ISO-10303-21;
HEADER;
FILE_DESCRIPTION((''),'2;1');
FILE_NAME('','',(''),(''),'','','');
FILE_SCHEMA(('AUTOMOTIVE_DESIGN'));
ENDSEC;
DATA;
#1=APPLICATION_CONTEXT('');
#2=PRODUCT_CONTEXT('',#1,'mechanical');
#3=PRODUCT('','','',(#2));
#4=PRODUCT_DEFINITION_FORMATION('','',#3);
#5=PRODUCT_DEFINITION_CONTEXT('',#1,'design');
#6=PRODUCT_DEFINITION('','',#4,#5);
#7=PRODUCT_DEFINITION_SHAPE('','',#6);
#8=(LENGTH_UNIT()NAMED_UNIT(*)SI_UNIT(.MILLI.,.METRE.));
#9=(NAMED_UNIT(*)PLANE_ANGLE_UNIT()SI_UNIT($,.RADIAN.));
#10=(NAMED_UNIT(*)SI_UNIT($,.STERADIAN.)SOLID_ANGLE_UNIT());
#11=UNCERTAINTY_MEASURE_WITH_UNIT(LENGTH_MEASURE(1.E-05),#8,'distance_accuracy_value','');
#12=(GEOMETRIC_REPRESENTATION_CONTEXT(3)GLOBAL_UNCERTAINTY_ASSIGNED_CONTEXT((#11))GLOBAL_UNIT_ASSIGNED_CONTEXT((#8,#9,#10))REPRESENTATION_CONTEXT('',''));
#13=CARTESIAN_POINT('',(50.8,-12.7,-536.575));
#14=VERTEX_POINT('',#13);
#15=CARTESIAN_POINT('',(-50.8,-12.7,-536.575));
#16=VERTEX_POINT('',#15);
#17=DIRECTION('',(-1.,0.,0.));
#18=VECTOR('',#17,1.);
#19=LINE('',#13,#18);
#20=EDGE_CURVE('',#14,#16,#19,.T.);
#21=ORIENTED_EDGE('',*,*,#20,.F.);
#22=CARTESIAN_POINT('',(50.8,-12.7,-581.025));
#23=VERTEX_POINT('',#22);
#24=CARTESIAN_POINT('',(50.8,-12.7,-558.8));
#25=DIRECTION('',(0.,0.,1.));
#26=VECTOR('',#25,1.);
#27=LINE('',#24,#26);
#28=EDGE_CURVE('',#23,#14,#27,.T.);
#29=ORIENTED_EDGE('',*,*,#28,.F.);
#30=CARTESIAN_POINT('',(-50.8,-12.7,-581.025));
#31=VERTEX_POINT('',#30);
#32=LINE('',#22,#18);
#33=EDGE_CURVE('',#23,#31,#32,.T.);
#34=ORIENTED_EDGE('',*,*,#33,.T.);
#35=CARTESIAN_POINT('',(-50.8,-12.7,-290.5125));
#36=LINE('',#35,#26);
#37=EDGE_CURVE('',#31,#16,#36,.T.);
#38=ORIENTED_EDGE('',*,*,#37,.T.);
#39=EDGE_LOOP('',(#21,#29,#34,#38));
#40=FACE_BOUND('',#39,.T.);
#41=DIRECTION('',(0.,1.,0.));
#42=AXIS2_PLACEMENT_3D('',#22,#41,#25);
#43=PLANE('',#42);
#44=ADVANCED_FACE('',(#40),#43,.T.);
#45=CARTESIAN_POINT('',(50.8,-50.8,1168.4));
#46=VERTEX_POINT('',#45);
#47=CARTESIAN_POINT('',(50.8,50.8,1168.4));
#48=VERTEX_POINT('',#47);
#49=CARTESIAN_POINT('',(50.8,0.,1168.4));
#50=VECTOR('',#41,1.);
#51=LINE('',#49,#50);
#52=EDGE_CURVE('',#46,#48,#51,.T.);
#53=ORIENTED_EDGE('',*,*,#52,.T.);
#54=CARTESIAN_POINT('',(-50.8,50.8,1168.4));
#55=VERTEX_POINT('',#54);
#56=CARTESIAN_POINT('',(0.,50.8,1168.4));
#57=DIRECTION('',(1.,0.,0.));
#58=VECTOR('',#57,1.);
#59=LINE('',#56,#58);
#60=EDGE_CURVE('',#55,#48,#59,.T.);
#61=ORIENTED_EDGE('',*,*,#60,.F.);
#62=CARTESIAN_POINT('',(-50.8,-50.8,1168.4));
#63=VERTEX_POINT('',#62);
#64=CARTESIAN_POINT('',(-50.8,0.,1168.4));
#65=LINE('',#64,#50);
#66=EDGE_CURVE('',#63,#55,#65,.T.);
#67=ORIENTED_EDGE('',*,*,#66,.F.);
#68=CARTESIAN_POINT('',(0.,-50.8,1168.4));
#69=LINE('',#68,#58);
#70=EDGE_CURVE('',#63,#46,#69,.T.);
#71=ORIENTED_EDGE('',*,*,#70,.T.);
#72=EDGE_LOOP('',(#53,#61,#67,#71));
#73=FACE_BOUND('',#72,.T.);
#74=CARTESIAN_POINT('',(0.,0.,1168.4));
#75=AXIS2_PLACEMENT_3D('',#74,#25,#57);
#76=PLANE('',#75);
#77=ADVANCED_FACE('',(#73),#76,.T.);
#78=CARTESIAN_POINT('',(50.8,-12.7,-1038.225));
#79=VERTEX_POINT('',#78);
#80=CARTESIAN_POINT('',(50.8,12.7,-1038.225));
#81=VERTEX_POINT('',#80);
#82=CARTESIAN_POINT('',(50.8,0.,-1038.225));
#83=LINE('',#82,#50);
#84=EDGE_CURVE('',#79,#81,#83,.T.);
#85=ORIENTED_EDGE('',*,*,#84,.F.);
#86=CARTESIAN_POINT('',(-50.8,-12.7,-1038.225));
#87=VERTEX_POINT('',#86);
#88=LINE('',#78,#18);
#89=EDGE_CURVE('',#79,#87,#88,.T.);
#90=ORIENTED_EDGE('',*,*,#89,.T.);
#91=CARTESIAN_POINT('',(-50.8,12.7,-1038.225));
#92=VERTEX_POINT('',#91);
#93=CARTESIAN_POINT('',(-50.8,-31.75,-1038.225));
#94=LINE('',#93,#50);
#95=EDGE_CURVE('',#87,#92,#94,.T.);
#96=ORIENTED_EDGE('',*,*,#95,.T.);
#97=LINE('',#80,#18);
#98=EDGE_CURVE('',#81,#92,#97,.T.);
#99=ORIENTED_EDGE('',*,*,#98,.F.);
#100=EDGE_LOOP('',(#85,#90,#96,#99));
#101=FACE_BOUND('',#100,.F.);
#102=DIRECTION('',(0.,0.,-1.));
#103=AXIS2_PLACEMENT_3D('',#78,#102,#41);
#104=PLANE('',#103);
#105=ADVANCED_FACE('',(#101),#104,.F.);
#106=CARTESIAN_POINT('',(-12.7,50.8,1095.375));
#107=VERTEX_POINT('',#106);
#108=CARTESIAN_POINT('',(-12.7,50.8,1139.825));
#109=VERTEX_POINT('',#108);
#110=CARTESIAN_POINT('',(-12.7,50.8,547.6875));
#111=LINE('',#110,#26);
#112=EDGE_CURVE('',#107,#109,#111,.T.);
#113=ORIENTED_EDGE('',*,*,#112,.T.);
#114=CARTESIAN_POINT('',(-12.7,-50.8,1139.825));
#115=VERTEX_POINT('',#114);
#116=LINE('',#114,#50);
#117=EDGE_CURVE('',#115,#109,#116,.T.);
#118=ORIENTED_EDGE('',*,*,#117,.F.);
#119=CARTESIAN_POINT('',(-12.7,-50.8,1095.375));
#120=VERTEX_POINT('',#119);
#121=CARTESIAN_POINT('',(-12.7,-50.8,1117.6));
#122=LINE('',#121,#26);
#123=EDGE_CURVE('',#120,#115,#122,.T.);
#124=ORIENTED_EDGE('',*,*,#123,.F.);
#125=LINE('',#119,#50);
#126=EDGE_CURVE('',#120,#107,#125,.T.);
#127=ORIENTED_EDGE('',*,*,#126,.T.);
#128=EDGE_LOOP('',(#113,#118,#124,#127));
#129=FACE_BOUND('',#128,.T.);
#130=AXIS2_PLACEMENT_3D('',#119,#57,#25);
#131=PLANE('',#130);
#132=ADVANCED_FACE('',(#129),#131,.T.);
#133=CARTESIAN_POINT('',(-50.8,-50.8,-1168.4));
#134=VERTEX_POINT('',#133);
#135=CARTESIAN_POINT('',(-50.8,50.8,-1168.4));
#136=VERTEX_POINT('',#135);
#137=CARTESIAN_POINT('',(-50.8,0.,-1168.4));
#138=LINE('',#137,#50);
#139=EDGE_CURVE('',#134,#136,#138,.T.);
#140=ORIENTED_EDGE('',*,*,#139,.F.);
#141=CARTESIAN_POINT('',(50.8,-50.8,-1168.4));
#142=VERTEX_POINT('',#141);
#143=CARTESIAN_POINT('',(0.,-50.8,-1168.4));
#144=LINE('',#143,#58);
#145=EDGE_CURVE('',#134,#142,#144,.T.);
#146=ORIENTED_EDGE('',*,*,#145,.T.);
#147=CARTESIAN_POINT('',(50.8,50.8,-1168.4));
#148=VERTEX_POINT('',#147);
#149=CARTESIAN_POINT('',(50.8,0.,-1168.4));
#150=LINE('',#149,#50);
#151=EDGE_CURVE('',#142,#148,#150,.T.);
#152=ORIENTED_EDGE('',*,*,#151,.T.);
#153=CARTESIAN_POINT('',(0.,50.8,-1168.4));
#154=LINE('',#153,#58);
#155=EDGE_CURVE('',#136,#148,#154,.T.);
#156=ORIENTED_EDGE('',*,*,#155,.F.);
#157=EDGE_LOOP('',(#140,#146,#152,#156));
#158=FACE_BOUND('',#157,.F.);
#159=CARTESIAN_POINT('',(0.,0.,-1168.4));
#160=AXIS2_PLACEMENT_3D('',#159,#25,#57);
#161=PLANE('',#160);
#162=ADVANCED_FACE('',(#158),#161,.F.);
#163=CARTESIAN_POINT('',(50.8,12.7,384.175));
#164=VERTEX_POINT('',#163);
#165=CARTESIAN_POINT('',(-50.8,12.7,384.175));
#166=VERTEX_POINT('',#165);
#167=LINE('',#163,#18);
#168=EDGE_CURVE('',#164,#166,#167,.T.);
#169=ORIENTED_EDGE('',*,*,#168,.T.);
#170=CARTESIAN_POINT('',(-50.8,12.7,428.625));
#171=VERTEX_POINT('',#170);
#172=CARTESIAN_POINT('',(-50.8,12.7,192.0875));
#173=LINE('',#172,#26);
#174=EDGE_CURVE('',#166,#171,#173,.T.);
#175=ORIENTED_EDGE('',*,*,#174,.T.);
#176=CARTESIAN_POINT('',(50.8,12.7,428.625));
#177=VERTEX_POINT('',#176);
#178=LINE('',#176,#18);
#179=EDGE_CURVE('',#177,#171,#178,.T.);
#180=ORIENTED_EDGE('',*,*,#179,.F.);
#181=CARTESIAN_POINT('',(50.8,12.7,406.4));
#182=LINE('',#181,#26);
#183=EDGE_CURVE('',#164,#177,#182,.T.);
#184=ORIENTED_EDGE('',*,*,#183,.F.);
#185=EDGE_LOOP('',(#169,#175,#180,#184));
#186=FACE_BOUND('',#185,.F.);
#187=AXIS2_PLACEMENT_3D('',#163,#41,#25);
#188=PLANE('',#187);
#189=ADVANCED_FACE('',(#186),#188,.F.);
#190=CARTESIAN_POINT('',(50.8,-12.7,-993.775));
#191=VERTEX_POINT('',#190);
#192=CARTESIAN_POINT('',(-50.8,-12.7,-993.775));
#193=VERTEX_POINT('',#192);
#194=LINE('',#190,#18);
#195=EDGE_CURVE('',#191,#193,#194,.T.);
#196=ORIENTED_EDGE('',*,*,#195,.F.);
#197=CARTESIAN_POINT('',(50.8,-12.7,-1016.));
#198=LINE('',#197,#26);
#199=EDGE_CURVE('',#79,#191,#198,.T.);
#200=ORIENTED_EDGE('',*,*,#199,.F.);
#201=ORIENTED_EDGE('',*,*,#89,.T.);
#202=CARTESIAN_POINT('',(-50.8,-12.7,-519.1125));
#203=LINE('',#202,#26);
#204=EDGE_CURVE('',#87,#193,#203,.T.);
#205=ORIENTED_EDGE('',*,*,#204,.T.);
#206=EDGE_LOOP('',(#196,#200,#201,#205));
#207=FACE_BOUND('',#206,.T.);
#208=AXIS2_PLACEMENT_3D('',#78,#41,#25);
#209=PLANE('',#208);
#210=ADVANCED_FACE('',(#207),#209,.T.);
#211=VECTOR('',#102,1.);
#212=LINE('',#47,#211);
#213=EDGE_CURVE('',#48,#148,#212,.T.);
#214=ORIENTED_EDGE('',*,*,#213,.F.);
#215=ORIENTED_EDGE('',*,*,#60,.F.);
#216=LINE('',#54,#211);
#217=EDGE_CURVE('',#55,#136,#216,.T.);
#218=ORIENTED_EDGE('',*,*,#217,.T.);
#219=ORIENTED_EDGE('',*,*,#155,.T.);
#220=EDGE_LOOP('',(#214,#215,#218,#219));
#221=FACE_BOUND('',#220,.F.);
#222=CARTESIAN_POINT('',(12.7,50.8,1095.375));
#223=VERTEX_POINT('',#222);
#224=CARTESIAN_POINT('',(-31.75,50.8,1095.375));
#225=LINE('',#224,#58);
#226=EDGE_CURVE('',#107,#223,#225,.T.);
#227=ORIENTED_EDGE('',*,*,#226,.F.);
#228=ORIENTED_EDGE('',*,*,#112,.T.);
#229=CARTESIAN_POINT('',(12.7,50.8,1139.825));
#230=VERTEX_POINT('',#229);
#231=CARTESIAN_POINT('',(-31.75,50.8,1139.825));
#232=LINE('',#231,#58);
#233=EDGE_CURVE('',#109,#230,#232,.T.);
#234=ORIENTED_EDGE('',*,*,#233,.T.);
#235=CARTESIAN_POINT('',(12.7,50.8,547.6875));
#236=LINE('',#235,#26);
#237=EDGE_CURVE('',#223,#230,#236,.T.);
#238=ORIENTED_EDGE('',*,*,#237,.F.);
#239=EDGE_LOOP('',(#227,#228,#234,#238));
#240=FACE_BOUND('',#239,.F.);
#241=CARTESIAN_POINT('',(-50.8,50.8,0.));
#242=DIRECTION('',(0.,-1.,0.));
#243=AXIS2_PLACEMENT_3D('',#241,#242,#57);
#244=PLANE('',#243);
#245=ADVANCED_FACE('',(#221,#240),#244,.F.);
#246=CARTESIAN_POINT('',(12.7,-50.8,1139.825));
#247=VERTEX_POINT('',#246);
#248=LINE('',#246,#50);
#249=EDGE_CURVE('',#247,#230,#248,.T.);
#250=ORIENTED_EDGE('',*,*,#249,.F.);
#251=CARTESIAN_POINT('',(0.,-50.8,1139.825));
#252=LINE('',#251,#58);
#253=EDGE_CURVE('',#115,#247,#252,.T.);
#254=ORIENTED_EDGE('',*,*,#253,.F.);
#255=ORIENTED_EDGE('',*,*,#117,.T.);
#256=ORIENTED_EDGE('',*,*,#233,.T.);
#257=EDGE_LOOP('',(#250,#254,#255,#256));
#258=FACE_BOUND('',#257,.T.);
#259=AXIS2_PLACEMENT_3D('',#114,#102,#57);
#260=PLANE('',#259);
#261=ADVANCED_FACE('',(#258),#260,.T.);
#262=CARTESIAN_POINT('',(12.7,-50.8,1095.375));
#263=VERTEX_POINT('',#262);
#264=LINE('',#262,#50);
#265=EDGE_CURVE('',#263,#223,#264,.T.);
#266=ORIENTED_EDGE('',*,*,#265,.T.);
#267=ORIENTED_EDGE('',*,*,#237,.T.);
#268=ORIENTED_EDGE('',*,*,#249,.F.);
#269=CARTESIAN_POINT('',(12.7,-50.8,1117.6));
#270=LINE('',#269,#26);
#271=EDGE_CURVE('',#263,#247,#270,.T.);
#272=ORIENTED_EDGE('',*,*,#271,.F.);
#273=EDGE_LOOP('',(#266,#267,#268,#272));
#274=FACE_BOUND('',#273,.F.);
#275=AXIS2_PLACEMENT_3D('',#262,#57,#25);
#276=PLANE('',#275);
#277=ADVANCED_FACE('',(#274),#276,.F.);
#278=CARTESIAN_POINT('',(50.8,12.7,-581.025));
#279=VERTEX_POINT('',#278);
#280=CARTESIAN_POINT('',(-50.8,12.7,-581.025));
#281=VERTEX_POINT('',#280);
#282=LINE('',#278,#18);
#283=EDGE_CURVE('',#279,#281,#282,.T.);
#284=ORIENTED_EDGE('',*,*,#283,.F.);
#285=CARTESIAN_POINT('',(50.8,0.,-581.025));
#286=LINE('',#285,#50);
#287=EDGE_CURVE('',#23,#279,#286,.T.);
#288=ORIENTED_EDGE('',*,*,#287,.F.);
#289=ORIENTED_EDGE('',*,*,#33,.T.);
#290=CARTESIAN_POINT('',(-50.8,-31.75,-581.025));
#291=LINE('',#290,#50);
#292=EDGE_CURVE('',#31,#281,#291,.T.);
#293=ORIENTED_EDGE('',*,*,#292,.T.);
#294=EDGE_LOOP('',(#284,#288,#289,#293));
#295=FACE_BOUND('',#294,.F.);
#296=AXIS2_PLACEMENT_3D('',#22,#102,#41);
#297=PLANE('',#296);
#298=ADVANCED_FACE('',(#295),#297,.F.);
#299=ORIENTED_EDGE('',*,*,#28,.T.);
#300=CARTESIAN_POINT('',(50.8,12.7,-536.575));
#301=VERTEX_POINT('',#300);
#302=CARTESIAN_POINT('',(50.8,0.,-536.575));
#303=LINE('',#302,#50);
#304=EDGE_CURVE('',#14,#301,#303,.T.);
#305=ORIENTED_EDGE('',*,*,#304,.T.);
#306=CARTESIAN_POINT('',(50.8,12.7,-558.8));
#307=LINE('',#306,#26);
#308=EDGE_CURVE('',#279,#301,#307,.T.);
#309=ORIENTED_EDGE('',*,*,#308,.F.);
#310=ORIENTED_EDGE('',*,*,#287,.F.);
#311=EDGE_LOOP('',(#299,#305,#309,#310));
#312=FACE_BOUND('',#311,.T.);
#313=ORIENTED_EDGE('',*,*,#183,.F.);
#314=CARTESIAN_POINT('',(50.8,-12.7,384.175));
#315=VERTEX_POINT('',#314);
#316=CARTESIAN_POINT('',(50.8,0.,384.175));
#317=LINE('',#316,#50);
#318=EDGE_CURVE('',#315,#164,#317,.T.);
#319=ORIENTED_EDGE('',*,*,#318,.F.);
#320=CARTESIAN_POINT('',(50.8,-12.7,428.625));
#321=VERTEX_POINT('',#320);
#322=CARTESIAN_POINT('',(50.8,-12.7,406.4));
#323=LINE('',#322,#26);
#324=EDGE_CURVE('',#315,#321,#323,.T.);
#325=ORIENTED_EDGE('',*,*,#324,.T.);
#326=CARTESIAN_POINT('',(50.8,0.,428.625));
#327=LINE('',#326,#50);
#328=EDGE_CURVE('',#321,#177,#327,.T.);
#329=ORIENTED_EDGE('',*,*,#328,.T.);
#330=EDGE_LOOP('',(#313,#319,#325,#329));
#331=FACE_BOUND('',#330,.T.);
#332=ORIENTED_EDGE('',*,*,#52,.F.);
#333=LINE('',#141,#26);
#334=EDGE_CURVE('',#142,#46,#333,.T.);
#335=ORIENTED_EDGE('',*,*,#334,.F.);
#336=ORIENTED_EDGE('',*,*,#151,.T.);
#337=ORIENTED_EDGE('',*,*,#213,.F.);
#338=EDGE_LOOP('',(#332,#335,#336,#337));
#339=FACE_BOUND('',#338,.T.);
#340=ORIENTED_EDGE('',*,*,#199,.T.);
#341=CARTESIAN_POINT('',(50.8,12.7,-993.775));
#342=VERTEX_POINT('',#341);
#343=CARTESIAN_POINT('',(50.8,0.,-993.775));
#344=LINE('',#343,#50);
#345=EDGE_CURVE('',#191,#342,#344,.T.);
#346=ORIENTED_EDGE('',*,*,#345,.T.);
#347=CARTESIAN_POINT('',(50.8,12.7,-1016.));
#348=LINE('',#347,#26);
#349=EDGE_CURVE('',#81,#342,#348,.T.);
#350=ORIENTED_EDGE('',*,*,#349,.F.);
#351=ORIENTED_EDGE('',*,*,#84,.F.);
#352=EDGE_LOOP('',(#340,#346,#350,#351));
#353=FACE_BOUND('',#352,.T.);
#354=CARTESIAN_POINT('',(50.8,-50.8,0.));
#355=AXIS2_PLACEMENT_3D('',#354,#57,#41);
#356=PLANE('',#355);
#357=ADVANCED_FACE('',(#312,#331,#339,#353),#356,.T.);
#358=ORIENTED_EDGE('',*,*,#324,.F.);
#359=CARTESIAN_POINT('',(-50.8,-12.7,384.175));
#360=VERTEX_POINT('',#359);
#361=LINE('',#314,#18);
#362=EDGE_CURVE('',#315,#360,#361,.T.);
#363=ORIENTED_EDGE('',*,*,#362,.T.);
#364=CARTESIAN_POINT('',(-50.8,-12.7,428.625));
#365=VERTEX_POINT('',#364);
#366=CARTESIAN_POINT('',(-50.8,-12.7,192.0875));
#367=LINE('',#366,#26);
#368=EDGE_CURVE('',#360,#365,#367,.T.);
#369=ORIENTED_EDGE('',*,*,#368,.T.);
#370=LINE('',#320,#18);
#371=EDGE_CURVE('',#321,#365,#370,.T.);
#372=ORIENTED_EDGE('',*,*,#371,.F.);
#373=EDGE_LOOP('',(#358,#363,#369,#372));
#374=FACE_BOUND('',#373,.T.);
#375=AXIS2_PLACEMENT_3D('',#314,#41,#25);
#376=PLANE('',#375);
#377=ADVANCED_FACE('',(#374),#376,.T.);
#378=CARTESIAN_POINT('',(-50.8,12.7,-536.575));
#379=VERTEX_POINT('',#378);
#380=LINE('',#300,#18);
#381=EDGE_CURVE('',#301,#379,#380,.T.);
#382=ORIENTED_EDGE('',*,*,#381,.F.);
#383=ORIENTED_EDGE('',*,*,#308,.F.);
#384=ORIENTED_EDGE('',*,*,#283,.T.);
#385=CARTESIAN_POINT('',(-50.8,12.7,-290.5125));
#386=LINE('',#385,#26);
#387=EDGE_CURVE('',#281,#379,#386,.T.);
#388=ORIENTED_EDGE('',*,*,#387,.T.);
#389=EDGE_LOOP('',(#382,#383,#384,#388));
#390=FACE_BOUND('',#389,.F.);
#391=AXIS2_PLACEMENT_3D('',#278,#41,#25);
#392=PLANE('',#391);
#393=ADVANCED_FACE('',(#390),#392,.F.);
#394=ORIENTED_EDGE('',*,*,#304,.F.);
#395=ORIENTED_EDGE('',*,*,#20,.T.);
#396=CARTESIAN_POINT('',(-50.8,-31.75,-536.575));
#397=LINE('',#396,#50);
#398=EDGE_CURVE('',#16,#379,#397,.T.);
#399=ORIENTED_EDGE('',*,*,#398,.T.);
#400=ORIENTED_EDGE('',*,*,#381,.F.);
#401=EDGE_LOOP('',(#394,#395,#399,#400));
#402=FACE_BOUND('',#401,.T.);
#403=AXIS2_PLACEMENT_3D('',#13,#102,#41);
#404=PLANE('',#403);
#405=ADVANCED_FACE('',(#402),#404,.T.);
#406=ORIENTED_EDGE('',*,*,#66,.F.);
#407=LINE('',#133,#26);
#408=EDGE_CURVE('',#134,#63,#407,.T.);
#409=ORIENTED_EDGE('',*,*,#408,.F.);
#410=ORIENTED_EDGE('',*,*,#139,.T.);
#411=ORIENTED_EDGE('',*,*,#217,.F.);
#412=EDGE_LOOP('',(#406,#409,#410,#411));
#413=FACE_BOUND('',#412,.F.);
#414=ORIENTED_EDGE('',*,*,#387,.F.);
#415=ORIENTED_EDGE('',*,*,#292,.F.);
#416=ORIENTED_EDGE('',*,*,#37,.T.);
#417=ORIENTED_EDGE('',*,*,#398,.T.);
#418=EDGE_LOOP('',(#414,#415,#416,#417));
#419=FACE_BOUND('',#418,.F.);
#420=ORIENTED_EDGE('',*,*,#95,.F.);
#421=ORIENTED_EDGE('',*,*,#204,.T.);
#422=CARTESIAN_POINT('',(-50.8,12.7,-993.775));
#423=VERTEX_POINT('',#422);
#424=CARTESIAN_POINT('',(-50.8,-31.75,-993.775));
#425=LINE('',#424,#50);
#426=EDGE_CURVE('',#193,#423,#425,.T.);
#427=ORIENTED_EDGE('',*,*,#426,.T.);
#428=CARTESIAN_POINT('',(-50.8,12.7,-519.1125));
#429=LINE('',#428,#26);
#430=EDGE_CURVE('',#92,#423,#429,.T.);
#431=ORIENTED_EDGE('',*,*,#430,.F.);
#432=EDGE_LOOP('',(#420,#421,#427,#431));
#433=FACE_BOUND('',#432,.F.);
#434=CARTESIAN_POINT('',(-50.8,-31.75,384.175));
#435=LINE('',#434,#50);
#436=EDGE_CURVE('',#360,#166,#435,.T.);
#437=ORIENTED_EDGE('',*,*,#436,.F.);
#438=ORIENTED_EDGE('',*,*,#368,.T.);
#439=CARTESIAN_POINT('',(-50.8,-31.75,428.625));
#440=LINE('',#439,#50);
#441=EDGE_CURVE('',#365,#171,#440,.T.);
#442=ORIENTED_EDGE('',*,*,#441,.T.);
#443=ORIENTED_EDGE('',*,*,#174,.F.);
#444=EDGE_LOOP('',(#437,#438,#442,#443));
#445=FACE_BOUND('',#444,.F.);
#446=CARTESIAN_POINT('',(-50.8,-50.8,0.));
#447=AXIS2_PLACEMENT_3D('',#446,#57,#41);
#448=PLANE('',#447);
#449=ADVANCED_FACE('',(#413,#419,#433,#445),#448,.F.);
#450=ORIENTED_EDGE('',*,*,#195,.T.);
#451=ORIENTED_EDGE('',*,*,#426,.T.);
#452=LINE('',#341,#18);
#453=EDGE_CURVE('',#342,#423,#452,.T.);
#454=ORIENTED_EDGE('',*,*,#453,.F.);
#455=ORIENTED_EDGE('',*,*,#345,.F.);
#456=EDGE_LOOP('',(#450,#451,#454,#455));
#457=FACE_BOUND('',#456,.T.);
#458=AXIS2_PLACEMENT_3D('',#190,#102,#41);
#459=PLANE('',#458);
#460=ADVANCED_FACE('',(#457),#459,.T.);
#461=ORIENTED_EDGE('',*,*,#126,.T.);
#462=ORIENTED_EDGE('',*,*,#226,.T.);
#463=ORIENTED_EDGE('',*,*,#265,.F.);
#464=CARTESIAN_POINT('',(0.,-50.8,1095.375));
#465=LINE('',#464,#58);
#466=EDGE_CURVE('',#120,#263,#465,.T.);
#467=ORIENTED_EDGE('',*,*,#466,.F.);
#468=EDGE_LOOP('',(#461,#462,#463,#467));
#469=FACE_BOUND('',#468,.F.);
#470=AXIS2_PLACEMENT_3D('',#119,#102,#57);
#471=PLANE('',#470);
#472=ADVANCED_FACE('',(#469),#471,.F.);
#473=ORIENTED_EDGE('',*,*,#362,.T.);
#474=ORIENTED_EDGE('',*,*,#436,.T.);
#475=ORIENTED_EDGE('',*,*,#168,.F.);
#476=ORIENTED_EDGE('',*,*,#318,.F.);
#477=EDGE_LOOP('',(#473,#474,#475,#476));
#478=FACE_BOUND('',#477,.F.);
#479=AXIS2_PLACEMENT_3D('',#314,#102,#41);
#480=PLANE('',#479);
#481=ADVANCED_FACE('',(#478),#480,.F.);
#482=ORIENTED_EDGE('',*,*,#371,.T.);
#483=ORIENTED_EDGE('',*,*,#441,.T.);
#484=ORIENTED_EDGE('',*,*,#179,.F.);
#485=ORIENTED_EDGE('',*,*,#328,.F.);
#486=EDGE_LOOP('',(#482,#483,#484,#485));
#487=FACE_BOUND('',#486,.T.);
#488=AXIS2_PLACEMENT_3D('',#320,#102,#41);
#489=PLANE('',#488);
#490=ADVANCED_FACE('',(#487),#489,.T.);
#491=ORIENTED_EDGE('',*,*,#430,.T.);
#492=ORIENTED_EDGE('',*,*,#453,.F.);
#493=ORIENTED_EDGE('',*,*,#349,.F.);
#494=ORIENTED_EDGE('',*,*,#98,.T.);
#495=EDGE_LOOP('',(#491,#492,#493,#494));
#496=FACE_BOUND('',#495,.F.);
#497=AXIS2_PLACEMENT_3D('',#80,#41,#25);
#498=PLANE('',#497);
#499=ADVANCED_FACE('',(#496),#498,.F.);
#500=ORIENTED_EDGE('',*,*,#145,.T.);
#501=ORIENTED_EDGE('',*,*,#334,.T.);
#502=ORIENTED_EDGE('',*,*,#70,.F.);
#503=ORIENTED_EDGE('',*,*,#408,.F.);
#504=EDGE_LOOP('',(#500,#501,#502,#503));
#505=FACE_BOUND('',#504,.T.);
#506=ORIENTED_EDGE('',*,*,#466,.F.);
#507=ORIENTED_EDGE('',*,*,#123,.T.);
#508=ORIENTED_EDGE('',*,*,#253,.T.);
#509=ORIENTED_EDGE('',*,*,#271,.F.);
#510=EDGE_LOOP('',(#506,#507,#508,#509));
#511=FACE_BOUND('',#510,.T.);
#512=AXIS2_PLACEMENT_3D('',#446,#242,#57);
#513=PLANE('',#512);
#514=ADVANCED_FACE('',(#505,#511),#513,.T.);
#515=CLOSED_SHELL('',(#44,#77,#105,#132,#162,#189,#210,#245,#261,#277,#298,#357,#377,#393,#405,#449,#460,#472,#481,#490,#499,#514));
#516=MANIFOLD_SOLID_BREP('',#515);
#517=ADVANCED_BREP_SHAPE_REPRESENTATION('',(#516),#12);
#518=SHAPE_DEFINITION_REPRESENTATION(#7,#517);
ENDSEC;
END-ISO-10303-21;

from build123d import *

# Parameters (mm, degrees)
F0_W     = 101.6
F0_H     = 101.6
F1_DEPTH = 1168.4
F2_W     = 25.4
F2_H     = 44.45
F3_DEPTH = 101.601
F4_W     = 25.4
F4_H     = 44.45
F5_DEPTH = 101.601
F6_W     = 25.4
F6_H     = 44.45
F7_DEPTH = 101.601
F8_W     = 25.4
F8_H     = 44.45
F9_DEPTH = 101.601


with BuildPart() as f1:
    # F0 (on Top) → F1 (new body, symmetric)
    with BuildSketch(Plane.XY):
        Rectangle(F0_W, F0_H)
    extrude(amount=F1_DEPTH, both=True)

    # F2 (on face) → F3 (cut, through all)
    with BuildSketch(Plane.XZ.offset(50.8)):
        with Locations((0, 1117.6)):
            Rectangle(F2_W, F2_H)
    extrude(amount=-F3_DEPTH, mode=Mode.SUBTRACT)

    # F4 (on face) → F5 (cut, through all)
    with BuildSketch(Plane.YZ.offset(50.8)):
        with Locations((0, 406.4)):
            Rectangle(F4_W, F4_H)
    extrude(amount=-F5_DEPTH, mode=Mode.SUBTRACT)

    # F6 (on face) → F7 (cut, through all)
    with BuildSketch(Plane.YZ.offset(50.8)):
        with Locations((0, -558.8)):
            Rectangle(F6_W, F6_H)
    extrude(amount=-F7_DEPTH, mode=Mode.SUBTRACT)

    # F8 (on face) → F9 (cut, through all)
    with BuildSketch(Plane.YZ.offset(50.8)):
        with Locations((0, -1016)):
            Rectangle(F8_W, F8_H)
    extrude(amount=-F9_DEPTH, mode=Mode.SUBTRACT)


solid = f1.part
